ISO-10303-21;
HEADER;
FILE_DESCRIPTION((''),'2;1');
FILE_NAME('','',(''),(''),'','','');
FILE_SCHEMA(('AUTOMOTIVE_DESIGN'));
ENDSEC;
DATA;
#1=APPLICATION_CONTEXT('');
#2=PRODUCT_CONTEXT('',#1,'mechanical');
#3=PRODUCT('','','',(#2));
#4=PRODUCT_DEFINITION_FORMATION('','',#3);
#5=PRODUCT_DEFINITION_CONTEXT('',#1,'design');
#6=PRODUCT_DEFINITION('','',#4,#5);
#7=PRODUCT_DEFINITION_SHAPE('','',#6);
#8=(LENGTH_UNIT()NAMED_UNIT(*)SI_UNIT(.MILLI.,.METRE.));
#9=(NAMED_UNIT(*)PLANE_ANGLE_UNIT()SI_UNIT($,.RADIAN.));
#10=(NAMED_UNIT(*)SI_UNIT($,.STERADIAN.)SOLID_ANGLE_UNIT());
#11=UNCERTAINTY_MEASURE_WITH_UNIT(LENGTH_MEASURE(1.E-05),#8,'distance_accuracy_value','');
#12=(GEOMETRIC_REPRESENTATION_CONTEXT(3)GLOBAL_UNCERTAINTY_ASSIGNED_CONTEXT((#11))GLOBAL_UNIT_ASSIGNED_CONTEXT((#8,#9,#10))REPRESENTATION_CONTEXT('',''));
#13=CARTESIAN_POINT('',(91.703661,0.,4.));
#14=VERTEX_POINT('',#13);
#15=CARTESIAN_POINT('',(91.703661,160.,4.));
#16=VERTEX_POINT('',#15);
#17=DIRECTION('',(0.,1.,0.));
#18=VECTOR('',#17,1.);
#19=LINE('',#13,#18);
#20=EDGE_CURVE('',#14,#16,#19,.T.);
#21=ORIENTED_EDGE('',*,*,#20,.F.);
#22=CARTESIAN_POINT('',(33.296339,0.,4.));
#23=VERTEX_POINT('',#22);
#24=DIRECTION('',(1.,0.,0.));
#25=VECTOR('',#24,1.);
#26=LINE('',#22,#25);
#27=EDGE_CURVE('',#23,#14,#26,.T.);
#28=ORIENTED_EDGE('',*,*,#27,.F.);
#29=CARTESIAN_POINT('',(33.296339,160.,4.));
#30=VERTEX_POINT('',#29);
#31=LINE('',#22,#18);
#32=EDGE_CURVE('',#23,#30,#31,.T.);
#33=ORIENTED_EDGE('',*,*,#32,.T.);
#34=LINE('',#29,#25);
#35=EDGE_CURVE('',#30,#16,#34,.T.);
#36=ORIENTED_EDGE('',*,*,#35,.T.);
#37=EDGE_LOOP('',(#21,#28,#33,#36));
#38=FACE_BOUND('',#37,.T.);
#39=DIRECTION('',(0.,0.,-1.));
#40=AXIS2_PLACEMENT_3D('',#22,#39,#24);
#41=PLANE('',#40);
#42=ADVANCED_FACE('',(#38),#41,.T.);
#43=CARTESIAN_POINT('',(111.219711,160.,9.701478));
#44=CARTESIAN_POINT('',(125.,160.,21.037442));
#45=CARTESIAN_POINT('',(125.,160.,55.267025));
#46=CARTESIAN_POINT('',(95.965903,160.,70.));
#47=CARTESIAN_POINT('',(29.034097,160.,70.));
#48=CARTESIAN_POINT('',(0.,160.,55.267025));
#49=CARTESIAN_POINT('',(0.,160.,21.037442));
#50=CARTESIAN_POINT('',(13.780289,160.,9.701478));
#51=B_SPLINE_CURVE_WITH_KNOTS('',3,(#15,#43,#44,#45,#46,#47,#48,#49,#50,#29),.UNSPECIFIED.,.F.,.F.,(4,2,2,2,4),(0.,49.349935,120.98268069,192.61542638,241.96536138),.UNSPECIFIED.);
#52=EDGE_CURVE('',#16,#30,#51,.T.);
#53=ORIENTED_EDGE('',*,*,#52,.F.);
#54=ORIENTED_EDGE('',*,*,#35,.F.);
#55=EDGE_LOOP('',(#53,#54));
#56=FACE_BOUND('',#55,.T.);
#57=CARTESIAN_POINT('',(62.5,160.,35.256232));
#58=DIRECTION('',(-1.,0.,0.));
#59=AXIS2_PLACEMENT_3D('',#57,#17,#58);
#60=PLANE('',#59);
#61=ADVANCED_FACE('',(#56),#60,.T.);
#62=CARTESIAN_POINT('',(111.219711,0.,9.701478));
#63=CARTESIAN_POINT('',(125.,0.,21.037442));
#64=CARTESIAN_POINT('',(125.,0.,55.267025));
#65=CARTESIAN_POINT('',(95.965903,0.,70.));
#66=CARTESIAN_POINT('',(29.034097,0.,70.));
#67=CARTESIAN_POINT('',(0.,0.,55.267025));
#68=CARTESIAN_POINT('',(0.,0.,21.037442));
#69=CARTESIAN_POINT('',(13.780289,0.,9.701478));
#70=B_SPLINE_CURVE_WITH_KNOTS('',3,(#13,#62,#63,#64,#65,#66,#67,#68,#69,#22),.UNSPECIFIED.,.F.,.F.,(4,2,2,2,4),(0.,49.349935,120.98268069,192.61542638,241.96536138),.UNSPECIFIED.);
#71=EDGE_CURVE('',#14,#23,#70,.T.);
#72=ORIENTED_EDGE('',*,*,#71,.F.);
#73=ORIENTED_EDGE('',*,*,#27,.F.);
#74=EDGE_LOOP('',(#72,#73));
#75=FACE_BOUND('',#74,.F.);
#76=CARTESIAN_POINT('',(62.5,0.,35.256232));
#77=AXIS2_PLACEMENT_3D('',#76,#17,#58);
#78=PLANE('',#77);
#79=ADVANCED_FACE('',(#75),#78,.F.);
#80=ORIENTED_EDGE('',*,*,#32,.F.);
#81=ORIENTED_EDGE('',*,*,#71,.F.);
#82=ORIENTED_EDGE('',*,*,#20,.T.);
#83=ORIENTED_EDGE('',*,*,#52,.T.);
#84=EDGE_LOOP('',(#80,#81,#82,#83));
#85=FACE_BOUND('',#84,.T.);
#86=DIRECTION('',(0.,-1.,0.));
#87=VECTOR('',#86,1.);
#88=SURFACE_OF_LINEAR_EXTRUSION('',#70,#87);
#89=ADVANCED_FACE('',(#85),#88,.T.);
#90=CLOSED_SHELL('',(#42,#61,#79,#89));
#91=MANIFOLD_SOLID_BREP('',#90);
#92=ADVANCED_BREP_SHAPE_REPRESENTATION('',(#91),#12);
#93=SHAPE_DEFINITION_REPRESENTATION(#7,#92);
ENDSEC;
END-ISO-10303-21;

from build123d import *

# Parameters (mm, degrees)
F1_DEPTH = 160


with BuildPart() as f1:
    # F0 (on Front) → F1 (new body)
    with BuildSketch(Plane.XZ):
        with BuildLine():
            add(Edge.make_bspline(
                [(0, 35), (0, 55.267025), (29.034097, 70), (62.5, 70)],
                knots=[0, 0, 0, 0, 71.632744, 71.632744, 71.632744, 71.632744], degree=3))
            add(Edge.make_bspline(
                [(0, 35), (0, 21.037442), (13.780289, 9.701478), (33.296339, 4)],
                knots=[0, 0, 0, 0, 49.349935, 49.349935, 49.349935, 49.349935], degree=3))
            Line((33.296339, 4), (62.5, 4))
            Line((62.5, 4), (91.703661, 4))
            add(Edge.make_bspline(
                [(125, 35), (125, 21.037442), (111.219711, 9.701478), (91.703661, 4)],
                knots=[0, 0, 0, 0, 49.349935, 49.349935, 49.349935, 49.349935], degree=3))
            add(Edge.make_bspline(
                [(125, 35), (125, 55.267025), (95.965903, 70), (62.5, 70)],
                knots=[0, 0, 0, 0, 71.632744, 71.632744, 71.632744, 71.632744], degree=3))
        make_face()
    extrude(amount=-F1_DEPTH)


solid = f1.part
